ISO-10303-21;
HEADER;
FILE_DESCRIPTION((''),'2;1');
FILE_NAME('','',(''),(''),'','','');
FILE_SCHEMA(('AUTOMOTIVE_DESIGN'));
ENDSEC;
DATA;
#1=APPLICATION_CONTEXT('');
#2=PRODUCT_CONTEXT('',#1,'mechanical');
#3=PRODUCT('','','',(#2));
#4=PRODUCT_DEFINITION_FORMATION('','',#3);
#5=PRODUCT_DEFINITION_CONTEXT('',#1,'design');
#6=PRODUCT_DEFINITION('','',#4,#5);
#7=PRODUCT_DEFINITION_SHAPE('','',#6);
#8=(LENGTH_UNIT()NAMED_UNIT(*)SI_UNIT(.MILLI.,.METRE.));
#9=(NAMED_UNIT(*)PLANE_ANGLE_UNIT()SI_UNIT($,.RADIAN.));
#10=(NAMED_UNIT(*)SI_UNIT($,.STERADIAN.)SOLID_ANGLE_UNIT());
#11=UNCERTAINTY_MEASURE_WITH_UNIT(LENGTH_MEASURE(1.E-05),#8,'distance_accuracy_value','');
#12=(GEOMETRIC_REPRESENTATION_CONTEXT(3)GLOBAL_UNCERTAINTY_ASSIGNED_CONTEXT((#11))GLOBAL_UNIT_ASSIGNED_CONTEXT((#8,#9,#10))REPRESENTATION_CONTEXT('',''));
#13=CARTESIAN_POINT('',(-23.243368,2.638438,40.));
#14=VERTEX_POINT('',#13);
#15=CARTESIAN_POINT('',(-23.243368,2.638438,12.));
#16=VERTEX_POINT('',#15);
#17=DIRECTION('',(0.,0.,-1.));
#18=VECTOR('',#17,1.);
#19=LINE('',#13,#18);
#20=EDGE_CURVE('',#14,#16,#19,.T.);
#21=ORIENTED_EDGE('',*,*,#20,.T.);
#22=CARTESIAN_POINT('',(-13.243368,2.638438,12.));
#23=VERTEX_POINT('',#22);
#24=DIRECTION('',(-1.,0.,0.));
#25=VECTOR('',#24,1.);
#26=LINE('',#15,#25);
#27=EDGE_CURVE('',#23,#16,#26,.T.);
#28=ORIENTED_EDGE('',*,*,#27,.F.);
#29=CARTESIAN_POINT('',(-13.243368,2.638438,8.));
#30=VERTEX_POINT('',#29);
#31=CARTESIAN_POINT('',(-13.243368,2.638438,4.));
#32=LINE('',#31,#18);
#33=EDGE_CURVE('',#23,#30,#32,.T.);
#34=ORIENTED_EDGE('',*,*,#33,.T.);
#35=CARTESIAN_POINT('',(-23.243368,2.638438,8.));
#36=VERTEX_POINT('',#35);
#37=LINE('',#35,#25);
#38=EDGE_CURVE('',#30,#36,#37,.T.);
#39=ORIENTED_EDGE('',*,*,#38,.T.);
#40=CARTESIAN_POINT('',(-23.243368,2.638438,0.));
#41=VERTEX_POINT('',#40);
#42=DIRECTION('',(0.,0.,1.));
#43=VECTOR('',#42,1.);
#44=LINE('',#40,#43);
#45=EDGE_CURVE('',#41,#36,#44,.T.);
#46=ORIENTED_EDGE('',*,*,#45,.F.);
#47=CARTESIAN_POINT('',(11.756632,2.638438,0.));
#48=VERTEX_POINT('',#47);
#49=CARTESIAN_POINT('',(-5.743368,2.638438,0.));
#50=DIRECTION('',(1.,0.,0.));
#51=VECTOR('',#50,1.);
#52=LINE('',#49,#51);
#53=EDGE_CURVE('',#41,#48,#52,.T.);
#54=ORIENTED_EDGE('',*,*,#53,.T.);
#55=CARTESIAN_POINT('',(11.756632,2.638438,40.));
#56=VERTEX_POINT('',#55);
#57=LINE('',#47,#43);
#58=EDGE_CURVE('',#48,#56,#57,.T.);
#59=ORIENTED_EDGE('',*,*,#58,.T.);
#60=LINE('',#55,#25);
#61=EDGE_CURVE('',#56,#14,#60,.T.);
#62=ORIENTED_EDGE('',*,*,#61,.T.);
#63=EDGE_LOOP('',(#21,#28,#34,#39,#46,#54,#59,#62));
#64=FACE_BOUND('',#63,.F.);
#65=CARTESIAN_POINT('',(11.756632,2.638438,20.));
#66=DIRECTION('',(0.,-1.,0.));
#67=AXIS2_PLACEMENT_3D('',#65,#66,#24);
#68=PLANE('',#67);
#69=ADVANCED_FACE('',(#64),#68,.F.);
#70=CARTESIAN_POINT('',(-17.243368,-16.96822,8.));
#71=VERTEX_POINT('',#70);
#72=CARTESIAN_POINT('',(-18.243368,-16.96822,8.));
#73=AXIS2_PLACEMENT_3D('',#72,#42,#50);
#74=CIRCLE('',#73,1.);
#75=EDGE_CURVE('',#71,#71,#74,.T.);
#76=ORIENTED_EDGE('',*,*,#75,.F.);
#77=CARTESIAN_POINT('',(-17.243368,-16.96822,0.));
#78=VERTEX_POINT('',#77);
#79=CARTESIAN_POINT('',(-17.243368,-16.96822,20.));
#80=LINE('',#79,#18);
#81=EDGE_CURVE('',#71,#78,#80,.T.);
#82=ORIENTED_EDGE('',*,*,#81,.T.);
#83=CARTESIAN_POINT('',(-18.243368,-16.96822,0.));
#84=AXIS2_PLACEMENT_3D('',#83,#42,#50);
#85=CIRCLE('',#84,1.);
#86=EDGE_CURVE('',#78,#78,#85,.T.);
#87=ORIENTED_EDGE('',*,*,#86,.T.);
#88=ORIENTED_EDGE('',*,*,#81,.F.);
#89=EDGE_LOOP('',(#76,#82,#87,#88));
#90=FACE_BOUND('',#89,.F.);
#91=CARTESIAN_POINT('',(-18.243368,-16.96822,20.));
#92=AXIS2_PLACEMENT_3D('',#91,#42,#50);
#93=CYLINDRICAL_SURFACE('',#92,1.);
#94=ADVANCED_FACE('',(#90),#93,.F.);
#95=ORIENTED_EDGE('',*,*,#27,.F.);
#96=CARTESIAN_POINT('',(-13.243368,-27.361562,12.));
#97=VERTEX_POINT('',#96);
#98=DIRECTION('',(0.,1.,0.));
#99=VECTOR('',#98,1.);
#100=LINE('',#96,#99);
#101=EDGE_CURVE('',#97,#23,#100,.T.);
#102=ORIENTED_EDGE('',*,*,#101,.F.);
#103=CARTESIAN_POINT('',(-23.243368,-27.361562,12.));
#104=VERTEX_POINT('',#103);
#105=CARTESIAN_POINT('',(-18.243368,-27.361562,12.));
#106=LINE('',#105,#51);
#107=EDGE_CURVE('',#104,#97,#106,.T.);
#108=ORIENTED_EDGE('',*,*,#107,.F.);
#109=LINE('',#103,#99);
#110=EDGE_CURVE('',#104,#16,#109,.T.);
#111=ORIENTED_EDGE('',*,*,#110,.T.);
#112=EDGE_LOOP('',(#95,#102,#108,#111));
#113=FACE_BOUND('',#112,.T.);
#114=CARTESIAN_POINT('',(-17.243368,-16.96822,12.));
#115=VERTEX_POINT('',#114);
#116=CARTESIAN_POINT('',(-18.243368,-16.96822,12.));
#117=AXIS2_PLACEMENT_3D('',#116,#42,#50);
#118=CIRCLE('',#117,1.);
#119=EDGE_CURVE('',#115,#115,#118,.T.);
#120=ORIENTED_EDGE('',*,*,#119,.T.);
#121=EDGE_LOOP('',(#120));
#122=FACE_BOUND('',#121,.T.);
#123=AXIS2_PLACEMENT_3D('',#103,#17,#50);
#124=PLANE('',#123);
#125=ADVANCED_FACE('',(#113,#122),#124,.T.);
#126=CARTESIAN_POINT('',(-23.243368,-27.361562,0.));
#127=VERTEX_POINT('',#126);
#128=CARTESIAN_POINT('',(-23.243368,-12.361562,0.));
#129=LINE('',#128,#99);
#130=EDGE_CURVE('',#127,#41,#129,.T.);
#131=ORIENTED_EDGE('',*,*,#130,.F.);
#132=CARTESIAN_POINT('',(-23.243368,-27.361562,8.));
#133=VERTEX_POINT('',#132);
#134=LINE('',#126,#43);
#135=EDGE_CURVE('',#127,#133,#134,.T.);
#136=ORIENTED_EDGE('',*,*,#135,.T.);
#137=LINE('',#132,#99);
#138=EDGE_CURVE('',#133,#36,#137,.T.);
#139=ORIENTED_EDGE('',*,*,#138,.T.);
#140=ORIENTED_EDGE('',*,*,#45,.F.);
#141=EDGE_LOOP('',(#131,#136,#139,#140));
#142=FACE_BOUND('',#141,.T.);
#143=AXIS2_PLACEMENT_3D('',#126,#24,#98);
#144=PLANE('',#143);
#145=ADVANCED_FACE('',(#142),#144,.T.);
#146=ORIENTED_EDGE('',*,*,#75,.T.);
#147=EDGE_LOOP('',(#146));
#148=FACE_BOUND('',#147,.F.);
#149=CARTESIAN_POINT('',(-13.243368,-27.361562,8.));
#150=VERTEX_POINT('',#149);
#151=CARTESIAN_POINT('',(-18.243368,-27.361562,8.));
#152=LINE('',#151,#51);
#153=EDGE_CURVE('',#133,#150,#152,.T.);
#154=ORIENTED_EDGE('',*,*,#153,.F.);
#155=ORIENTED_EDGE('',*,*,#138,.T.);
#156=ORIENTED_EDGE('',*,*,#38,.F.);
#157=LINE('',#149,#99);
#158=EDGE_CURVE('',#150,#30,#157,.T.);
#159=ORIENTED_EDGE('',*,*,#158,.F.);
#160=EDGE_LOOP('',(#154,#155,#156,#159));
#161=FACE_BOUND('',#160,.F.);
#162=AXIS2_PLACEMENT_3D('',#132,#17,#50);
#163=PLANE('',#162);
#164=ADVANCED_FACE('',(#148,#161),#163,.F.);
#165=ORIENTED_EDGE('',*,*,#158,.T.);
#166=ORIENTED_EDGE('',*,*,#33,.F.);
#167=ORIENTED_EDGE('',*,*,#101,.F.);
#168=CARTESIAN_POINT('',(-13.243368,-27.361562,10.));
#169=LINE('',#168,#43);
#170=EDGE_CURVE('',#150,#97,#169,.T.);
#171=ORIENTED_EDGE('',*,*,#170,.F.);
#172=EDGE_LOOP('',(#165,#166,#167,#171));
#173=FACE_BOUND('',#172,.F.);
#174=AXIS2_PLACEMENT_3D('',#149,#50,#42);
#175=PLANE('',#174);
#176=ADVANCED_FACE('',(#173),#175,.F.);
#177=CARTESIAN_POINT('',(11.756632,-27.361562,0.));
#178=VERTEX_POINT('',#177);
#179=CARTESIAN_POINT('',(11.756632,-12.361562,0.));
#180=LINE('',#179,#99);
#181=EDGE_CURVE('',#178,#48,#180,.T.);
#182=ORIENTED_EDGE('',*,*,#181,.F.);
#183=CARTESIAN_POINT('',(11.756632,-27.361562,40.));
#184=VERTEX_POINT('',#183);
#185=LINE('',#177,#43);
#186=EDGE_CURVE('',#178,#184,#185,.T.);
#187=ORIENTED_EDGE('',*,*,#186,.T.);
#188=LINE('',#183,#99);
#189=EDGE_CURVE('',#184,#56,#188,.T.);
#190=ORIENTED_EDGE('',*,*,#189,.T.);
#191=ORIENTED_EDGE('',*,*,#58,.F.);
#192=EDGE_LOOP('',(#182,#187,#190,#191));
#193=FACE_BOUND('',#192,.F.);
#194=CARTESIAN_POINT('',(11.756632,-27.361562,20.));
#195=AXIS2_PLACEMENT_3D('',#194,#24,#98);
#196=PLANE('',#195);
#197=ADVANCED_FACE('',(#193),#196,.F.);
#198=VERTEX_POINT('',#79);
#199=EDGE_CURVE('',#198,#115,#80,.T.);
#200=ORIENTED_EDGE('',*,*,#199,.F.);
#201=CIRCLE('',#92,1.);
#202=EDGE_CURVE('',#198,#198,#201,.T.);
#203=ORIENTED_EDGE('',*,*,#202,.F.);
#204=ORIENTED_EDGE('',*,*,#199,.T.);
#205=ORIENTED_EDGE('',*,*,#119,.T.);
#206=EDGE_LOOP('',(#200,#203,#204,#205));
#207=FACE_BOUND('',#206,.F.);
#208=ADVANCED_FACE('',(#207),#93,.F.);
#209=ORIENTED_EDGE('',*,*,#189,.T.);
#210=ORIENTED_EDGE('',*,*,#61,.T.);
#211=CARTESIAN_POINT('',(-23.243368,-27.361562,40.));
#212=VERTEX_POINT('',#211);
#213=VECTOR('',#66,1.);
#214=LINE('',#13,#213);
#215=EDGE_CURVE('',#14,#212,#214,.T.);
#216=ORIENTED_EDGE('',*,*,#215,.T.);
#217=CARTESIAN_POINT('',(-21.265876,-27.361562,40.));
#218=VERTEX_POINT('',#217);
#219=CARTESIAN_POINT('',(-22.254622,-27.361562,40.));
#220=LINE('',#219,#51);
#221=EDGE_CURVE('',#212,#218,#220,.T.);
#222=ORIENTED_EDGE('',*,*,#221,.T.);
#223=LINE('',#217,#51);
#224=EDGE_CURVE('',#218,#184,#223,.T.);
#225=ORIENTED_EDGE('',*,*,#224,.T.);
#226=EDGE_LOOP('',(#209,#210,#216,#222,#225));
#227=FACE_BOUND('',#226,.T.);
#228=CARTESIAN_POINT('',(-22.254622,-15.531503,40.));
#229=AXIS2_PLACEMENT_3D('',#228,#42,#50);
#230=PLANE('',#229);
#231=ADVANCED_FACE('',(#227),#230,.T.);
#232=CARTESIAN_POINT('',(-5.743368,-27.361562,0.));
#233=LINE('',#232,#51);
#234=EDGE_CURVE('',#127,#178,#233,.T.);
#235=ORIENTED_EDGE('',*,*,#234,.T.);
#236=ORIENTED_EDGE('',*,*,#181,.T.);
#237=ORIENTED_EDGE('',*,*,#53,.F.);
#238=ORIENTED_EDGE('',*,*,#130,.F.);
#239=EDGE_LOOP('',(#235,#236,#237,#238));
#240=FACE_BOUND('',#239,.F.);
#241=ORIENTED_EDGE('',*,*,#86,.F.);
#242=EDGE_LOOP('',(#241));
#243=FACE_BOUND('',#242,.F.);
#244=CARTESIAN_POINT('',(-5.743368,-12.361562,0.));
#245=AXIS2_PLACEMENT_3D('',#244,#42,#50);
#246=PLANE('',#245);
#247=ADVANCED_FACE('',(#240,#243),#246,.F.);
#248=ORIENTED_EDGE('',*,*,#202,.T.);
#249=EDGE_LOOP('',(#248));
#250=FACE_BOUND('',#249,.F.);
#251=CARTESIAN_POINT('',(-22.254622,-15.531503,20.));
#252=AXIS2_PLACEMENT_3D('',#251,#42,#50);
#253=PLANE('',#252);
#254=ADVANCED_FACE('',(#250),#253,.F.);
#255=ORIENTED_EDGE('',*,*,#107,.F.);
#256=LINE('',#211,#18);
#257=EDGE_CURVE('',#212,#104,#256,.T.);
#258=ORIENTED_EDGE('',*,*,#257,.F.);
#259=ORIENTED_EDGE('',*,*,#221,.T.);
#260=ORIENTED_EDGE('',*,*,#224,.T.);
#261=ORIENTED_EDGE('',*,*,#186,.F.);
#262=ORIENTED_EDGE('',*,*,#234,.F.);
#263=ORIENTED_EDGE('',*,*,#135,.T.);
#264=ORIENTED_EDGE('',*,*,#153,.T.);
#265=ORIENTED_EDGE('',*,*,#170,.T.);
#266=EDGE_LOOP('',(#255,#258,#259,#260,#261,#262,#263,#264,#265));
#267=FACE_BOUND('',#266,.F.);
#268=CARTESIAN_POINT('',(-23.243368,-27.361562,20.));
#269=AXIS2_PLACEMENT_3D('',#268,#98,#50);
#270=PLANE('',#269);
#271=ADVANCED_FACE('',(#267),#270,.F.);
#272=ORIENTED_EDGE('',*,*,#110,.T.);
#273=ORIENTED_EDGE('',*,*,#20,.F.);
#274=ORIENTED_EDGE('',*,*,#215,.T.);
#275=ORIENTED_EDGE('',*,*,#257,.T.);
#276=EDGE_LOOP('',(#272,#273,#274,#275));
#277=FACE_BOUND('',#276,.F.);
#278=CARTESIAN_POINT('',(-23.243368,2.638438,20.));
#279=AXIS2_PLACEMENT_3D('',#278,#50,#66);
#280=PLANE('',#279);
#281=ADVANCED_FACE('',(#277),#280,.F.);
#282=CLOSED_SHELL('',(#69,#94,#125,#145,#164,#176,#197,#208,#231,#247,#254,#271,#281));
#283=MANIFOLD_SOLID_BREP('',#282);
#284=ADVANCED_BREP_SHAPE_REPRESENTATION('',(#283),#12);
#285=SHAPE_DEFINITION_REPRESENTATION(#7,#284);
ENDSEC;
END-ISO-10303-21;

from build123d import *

# Parameters (mm, degrees)
F0_W     = 35
F0_H     = 30
F1_DEPTH = 20
F2_W     = 10
F2_H     = 4
F3_DEPTH = 40
F4_R     = 1
F5_DEPTH = 25
F6_W     = 1.9774927944
F6_H     = 23.6601198859
F7_DEPTH = 20


with BuildPart() as f1:
    # F0 (on Top) → F1 (new body)
    with BuildSketch(Plane.XY):
        with Locations((-5.7433683425, -12.3615624963)):
            Rectangle(F0_W, F0_H)
    extrude(amount=F1_DEPTH)

    # F2 (on face) → F3 (cut)
    with BuildSketch(Plane.XZ.offset(27.3615624963)):
        with Locations((-18.2433683425, 10)):
            Rectangle(F2_W, F2_H)
    extrude(amount=-F3_DEPTH, mode=Mode.SUBTRACT)

    # F4 (on face) → F5 (cut)
    with BuildSketch(Plane.XY.offset(20)):
        with Locations((-18.2433683425, 3.8932797033)):
            Circle(F4_R)
        with Locations((-18.2433683425, -16.9682204723)):
            Circle(F4_R)
    extrude(amount=-F5_DEPTH, mode=Mode.SUBTRACT)

    # F6 (on face) → F7 (join)
    with BuildSketch(Plane.XY.offset(20)):
        with Locations((-22.2546219453, -15.5315025534)):
            Rectangle(F6_W, F6_H)
        Polygon((-23.2433683425, -3.7014426105), (-21.2658755481, -3.7014426105), (-21.2658755481, -27.3615624963), (11.7566316575, -27.3615624963), (11.7566316575, 2.6384375037), (-23.2433683425, 2.6384375037), align=None)
    extrude(amount=F7_DEPTH)


solid = f1.part
